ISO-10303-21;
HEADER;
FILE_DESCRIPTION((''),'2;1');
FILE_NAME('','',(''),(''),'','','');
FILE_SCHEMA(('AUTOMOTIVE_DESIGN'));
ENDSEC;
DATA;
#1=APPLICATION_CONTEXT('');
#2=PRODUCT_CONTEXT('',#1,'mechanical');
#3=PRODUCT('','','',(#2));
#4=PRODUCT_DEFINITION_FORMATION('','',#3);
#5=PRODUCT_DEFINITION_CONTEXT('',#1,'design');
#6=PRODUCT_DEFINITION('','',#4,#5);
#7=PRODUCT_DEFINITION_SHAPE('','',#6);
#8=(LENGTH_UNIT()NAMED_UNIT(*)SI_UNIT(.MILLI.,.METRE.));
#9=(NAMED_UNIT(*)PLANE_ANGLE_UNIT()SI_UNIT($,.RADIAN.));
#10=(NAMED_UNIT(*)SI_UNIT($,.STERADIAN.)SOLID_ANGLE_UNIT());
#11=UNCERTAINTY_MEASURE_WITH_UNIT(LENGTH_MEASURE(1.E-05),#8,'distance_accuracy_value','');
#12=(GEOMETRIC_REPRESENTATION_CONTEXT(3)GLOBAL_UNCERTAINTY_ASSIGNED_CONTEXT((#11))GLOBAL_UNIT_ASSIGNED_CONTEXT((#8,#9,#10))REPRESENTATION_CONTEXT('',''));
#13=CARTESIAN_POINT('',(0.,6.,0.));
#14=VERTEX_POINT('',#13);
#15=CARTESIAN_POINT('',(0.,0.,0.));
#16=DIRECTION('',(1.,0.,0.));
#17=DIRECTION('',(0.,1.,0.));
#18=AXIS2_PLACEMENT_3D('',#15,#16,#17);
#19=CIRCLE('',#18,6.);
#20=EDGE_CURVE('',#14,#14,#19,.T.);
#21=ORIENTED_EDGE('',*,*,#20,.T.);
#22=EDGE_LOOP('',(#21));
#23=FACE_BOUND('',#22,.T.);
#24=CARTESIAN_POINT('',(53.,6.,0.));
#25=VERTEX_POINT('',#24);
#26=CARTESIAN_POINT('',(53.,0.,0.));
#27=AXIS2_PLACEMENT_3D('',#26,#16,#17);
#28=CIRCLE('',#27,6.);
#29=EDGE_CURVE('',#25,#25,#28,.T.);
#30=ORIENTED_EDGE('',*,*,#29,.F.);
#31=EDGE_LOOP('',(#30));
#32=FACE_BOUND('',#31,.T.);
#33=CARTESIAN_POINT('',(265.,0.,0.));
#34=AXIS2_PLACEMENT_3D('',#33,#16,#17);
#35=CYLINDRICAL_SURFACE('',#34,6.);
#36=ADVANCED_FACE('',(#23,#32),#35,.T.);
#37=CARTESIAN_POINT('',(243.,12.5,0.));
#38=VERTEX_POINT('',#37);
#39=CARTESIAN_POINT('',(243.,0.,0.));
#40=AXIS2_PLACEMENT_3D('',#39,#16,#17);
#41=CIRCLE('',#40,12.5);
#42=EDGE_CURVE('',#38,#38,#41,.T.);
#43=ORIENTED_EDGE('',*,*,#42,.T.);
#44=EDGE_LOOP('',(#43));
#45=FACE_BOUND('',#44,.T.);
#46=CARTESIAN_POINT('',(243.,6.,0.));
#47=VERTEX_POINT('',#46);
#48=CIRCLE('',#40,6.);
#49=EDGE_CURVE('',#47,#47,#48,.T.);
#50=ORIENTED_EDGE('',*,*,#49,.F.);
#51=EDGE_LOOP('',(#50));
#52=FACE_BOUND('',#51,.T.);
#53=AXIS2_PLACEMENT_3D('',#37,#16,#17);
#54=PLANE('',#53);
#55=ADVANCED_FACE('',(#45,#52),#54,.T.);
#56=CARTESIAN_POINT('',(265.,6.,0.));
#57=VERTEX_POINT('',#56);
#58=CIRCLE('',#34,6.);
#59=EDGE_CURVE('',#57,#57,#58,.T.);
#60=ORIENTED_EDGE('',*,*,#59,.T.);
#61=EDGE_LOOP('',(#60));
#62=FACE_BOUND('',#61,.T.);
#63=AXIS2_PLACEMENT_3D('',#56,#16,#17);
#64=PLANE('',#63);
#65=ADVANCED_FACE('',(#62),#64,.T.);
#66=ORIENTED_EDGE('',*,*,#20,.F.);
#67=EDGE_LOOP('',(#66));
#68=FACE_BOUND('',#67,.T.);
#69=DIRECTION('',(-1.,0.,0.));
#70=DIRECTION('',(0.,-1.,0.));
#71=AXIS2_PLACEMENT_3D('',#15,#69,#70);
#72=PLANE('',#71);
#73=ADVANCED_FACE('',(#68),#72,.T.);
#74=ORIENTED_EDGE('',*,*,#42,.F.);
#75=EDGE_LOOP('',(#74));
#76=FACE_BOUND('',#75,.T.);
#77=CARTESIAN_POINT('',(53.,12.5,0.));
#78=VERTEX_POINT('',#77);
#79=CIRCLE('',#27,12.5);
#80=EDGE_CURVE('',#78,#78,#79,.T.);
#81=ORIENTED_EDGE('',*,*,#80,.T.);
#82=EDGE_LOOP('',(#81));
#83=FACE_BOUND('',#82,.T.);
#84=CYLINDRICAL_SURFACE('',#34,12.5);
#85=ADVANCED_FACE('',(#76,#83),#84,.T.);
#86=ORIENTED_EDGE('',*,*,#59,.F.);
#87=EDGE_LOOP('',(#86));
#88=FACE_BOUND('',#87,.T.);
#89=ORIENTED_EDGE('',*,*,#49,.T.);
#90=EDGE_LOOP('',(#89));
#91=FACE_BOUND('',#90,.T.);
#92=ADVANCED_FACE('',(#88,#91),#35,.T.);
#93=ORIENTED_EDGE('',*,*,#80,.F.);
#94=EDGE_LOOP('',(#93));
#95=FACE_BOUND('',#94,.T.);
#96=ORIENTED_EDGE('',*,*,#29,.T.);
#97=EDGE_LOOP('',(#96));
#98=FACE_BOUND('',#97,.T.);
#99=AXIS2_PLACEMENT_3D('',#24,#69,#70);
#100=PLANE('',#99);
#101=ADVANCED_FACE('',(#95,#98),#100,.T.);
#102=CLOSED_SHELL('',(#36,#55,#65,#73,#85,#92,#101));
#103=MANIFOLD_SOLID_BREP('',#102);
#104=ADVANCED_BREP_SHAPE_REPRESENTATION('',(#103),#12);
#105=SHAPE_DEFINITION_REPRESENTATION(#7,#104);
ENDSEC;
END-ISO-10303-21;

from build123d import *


with BuildPart() as part:
    # Sketch2 → Revolve1 (revolve)
    with BuildSketch(Plane.XY):
        Polygon((0, 0), (0, 6), (53, 6), (53, 12.5), (243, 12.5), (243, 6), (265, 6), (265, 0), align=None)
    revolve(axis=Axis((265, 0, 0), (-1, 0, 0)))


solid = part.part
